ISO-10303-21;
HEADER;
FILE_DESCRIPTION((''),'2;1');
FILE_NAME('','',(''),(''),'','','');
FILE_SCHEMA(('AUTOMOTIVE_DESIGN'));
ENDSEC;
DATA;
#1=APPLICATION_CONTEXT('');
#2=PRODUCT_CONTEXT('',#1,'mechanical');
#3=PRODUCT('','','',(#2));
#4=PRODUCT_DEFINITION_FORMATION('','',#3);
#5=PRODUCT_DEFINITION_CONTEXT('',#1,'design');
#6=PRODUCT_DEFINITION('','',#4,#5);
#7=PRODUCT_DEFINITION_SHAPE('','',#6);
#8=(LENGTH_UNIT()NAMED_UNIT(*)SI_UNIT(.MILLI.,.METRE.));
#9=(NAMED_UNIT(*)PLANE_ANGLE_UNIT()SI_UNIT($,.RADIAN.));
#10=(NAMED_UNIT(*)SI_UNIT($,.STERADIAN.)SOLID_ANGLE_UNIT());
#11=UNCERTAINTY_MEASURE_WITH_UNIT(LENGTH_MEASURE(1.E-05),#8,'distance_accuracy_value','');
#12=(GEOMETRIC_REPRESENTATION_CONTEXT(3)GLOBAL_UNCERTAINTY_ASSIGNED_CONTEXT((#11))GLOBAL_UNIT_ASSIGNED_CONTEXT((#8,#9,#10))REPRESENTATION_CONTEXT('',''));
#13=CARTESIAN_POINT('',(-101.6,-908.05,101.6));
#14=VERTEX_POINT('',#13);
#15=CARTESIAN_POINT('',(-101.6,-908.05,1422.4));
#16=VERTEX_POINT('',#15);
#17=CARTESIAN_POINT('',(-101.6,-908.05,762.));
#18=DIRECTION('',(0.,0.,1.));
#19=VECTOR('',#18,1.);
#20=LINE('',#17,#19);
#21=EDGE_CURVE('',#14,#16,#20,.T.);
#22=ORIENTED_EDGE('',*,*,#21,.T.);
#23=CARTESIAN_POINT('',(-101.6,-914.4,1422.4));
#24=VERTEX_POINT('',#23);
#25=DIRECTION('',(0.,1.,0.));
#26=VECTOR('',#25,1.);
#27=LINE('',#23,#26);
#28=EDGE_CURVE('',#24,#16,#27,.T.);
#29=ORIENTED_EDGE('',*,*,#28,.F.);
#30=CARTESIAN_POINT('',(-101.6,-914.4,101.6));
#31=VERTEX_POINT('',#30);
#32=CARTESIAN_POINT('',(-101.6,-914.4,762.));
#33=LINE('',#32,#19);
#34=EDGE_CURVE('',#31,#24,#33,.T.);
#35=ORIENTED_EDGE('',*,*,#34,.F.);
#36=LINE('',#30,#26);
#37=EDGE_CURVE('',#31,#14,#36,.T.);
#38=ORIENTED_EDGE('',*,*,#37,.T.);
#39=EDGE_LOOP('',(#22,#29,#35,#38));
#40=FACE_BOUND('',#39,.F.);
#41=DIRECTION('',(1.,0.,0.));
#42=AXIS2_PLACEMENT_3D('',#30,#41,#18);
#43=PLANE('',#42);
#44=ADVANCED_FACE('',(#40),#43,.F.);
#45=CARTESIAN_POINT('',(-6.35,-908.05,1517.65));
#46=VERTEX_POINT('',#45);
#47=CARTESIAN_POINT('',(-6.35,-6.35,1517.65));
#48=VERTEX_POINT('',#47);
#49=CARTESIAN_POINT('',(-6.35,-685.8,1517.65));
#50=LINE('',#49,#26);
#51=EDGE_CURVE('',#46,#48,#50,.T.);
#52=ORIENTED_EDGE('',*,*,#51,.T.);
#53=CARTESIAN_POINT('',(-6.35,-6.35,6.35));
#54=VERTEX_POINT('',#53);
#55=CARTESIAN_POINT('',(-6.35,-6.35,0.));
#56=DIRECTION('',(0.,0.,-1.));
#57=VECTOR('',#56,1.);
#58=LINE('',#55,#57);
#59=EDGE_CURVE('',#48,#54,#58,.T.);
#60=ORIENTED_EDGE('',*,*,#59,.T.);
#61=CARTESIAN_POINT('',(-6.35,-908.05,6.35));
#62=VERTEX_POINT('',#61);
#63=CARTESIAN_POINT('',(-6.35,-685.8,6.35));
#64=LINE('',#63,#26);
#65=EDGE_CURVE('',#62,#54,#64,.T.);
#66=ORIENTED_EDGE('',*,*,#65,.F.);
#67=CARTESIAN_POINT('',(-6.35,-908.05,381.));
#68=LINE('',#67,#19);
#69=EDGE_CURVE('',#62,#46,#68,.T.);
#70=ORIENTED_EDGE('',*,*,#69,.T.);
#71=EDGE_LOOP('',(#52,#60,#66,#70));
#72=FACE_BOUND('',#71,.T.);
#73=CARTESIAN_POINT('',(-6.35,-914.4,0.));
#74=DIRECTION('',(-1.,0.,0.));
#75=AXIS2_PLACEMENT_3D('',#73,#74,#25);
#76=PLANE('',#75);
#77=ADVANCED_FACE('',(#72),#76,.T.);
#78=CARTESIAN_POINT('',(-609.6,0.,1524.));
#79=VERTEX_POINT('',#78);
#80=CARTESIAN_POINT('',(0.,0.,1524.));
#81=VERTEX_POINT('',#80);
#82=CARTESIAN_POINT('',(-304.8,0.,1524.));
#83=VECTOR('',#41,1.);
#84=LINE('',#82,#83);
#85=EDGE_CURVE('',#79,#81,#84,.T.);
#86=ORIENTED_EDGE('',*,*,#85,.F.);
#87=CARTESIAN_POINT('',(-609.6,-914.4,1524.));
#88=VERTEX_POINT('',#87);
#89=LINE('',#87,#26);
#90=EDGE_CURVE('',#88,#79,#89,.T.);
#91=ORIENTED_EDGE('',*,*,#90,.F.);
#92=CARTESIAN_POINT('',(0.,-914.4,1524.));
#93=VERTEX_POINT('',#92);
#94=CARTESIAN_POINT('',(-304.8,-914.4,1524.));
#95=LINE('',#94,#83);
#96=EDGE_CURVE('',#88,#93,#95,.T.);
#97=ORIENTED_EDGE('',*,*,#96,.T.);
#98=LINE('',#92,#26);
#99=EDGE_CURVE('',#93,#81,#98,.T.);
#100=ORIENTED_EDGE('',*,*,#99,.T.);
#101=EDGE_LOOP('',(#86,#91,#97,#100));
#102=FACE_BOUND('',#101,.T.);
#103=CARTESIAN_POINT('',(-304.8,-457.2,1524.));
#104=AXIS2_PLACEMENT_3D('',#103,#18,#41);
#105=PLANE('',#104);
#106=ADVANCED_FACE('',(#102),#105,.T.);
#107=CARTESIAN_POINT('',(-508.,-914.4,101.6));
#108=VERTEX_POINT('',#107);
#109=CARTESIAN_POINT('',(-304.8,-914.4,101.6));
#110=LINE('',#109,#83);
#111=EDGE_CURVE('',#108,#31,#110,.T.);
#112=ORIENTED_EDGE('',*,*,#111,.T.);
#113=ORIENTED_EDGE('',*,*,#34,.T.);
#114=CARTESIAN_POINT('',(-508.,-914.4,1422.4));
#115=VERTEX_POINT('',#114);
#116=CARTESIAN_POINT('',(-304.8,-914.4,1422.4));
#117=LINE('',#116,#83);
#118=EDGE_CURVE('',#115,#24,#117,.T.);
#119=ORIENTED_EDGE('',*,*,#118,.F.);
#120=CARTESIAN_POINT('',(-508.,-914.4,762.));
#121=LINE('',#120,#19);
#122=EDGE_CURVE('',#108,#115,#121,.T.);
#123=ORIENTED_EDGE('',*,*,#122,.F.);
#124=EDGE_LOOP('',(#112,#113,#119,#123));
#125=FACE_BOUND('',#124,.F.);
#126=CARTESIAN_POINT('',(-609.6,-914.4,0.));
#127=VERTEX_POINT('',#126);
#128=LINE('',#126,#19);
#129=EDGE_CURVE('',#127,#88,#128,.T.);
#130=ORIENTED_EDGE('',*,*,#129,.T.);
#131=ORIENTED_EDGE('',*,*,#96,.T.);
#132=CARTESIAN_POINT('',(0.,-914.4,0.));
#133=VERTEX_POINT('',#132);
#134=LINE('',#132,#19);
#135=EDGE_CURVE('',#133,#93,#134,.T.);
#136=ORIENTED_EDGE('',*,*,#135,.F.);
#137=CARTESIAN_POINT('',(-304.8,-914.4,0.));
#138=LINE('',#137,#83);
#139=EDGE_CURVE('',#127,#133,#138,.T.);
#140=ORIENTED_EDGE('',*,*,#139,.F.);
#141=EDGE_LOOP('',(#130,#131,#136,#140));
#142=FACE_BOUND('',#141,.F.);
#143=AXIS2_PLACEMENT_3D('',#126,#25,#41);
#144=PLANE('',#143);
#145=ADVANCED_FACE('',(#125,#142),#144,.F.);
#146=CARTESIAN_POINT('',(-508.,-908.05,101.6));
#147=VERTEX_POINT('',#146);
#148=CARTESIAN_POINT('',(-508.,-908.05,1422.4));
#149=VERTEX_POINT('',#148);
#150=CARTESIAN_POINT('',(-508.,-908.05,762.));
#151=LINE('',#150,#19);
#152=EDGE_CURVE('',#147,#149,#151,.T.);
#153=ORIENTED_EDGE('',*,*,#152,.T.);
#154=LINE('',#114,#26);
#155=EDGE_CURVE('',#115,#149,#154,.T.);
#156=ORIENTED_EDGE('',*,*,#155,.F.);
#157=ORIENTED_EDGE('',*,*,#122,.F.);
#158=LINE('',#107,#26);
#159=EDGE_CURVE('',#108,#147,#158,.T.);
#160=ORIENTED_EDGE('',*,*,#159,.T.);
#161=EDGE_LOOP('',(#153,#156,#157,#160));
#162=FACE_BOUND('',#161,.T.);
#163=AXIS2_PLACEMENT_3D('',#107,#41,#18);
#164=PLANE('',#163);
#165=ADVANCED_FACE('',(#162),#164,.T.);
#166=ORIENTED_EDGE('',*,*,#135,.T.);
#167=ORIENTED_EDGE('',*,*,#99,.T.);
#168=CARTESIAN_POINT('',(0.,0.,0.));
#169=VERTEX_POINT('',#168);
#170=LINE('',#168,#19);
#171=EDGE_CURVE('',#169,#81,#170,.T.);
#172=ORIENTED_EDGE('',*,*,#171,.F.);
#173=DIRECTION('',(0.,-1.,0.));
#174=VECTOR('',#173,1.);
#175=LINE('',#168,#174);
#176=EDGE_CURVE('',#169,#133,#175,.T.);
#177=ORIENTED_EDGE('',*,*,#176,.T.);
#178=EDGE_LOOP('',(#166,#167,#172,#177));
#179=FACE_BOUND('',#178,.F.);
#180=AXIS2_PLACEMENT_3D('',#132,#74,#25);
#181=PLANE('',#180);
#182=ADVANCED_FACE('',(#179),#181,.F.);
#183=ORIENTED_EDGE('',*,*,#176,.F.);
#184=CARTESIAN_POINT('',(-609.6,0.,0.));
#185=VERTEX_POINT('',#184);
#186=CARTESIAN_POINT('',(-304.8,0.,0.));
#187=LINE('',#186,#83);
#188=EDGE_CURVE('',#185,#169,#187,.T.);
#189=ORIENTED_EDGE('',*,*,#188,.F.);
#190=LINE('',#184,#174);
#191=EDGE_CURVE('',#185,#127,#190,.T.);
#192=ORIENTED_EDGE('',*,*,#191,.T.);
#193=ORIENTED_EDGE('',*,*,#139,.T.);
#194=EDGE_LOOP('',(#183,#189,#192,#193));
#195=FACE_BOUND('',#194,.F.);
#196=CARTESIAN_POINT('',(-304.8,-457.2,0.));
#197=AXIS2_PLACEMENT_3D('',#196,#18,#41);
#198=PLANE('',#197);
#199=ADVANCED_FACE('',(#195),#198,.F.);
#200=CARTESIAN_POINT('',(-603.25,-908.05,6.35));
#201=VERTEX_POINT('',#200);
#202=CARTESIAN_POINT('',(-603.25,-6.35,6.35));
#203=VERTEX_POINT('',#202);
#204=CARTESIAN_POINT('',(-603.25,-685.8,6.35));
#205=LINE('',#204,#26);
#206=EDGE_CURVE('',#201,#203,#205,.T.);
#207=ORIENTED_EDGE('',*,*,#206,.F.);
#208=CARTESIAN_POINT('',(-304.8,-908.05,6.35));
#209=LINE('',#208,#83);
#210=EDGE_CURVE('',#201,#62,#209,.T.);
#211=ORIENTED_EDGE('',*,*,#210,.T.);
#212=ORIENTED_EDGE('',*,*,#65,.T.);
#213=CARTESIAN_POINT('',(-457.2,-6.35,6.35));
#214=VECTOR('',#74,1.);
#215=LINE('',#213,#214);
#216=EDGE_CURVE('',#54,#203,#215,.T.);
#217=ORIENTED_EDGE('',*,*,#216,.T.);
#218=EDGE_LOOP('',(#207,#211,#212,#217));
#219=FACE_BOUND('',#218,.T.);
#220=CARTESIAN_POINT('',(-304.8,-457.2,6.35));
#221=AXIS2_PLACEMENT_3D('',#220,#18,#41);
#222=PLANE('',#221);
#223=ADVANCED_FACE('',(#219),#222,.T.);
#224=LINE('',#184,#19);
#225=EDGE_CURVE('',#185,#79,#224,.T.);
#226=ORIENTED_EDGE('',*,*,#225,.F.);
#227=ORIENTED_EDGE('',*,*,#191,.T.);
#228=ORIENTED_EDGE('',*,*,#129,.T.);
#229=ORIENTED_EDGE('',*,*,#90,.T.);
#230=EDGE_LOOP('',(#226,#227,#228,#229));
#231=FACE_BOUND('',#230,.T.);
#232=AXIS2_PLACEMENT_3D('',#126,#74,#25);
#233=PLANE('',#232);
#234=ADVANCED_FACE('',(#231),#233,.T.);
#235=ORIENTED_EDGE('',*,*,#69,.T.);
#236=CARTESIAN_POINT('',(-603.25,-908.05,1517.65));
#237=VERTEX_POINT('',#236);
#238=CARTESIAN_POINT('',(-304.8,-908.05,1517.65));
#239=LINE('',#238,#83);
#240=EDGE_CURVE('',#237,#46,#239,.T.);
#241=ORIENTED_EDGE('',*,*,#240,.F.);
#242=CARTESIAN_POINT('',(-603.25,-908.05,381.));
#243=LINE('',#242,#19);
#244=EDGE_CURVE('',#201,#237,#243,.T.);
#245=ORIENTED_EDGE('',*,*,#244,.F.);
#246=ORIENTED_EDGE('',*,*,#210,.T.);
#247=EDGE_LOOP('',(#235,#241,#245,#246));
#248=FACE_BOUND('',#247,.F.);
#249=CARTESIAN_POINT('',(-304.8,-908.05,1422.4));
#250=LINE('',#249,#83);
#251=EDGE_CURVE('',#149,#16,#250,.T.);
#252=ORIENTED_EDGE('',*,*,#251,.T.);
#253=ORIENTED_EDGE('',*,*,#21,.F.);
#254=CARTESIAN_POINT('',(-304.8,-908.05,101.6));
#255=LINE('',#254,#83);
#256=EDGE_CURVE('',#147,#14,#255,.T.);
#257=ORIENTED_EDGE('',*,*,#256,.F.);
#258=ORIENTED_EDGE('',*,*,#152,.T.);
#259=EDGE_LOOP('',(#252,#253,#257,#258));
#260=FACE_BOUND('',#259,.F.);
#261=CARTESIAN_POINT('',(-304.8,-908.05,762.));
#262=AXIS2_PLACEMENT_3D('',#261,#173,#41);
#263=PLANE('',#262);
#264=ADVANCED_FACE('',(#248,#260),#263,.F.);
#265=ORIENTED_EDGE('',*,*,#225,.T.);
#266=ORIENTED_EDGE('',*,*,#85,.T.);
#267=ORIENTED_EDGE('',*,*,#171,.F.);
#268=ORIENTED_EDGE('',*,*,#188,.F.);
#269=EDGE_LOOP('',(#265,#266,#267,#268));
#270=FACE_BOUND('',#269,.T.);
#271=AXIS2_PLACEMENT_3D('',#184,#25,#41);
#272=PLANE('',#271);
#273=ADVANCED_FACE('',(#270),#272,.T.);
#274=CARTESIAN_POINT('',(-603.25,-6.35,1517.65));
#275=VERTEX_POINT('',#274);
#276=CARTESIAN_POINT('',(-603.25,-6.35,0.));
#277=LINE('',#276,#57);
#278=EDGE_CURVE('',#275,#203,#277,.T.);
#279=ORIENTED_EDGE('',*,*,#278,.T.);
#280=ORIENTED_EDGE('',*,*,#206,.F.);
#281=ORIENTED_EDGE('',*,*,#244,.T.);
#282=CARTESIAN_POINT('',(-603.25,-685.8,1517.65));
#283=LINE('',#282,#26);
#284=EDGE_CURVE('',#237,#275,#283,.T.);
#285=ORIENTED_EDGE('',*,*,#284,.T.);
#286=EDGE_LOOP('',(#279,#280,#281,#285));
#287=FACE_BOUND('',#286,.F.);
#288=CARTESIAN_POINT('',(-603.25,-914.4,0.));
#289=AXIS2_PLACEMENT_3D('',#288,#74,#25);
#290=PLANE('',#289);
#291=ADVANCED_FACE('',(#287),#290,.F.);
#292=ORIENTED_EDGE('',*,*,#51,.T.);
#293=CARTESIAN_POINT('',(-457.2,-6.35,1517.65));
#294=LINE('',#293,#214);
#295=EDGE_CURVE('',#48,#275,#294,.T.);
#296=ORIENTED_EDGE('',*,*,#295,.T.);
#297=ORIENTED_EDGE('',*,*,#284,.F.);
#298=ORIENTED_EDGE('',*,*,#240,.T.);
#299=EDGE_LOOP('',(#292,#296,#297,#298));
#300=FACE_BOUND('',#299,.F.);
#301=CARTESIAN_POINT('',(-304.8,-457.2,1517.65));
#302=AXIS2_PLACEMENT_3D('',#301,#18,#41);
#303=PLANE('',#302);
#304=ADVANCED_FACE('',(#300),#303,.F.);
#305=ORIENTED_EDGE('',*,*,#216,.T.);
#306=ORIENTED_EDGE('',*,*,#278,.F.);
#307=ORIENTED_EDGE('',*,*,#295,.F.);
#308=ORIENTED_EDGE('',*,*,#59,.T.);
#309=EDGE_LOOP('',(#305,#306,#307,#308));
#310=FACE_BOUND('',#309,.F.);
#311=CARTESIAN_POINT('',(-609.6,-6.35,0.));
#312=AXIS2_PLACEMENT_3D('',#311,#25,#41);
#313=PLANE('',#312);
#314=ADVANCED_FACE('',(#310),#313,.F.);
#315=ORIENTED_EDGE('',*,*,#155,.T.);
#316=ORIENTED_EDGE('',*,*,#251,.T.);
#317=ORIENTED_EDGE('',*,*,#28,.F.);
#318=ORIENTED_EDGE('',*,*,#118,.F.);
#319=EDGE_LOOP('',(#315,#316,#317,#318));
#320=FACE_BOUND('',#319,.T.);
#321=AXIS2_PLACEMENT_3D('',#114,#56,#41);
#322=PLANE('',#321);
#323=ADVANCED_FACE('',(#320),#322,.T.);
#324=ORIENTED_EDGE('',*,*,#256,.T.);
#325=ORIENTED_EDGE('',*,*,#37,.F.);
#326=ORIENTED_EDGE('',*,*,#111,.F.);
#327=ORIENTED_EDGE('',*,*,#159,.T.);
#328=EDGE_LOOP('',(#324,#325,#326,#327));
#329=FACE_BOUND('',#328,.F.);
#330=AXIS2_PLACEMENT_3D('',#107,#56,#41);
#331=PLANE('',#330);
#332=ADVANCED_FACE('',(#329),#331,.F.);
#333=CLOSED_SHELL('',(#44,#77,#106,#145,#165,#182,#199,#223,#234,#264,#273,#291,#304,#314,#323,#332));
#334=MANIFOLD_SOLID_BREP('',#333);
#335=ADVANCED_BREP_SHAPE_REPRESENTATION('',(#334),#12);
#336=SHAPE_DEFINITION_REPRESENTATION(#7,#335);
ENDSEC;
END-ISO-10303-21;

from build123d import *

# Parameters (mm, degrees)
F0_W     = 609.6
F0_H     = 914.4
F1_DEPTH = 1524
F2_T     = -6.35
F3_W     = 609.6
F3_H     = 1524
F3_W_2   = 406.4
F3_H_2   = 1320.8
F4_DEPTH = 6.35


with BuildPart() as f1:
    # F0 (on Top) → F1 (new body)
    with BuildSketch(Plane.XY):
        with Locations((-304.8, -457.2)):
            Rectangle(F0_W, F0_H)
    extrude(amount=F1_DEPTH)

    # F2
    f2_openings = [f1.faces().sort_by_distance(p)[0] for p in [
        (-304.8, -914.4, 762),
    ]]
    offset(amount=F2_T, openings=f2_openings)

    # F3 (on face) → F4 (join)
    with BuildSketch(Plane.XZ.offset(914.4)):
        with Locations((-304.8, 762)):
            Rectangle(F3_W, F3_H)
        with Locations((-304.8, 762)):
            Rectangle(F3_W_2, F3_H_2, mode=Mode.SUBTRACT)
    extrude(amount=-F4_DEPTH)


solid = f1.part
